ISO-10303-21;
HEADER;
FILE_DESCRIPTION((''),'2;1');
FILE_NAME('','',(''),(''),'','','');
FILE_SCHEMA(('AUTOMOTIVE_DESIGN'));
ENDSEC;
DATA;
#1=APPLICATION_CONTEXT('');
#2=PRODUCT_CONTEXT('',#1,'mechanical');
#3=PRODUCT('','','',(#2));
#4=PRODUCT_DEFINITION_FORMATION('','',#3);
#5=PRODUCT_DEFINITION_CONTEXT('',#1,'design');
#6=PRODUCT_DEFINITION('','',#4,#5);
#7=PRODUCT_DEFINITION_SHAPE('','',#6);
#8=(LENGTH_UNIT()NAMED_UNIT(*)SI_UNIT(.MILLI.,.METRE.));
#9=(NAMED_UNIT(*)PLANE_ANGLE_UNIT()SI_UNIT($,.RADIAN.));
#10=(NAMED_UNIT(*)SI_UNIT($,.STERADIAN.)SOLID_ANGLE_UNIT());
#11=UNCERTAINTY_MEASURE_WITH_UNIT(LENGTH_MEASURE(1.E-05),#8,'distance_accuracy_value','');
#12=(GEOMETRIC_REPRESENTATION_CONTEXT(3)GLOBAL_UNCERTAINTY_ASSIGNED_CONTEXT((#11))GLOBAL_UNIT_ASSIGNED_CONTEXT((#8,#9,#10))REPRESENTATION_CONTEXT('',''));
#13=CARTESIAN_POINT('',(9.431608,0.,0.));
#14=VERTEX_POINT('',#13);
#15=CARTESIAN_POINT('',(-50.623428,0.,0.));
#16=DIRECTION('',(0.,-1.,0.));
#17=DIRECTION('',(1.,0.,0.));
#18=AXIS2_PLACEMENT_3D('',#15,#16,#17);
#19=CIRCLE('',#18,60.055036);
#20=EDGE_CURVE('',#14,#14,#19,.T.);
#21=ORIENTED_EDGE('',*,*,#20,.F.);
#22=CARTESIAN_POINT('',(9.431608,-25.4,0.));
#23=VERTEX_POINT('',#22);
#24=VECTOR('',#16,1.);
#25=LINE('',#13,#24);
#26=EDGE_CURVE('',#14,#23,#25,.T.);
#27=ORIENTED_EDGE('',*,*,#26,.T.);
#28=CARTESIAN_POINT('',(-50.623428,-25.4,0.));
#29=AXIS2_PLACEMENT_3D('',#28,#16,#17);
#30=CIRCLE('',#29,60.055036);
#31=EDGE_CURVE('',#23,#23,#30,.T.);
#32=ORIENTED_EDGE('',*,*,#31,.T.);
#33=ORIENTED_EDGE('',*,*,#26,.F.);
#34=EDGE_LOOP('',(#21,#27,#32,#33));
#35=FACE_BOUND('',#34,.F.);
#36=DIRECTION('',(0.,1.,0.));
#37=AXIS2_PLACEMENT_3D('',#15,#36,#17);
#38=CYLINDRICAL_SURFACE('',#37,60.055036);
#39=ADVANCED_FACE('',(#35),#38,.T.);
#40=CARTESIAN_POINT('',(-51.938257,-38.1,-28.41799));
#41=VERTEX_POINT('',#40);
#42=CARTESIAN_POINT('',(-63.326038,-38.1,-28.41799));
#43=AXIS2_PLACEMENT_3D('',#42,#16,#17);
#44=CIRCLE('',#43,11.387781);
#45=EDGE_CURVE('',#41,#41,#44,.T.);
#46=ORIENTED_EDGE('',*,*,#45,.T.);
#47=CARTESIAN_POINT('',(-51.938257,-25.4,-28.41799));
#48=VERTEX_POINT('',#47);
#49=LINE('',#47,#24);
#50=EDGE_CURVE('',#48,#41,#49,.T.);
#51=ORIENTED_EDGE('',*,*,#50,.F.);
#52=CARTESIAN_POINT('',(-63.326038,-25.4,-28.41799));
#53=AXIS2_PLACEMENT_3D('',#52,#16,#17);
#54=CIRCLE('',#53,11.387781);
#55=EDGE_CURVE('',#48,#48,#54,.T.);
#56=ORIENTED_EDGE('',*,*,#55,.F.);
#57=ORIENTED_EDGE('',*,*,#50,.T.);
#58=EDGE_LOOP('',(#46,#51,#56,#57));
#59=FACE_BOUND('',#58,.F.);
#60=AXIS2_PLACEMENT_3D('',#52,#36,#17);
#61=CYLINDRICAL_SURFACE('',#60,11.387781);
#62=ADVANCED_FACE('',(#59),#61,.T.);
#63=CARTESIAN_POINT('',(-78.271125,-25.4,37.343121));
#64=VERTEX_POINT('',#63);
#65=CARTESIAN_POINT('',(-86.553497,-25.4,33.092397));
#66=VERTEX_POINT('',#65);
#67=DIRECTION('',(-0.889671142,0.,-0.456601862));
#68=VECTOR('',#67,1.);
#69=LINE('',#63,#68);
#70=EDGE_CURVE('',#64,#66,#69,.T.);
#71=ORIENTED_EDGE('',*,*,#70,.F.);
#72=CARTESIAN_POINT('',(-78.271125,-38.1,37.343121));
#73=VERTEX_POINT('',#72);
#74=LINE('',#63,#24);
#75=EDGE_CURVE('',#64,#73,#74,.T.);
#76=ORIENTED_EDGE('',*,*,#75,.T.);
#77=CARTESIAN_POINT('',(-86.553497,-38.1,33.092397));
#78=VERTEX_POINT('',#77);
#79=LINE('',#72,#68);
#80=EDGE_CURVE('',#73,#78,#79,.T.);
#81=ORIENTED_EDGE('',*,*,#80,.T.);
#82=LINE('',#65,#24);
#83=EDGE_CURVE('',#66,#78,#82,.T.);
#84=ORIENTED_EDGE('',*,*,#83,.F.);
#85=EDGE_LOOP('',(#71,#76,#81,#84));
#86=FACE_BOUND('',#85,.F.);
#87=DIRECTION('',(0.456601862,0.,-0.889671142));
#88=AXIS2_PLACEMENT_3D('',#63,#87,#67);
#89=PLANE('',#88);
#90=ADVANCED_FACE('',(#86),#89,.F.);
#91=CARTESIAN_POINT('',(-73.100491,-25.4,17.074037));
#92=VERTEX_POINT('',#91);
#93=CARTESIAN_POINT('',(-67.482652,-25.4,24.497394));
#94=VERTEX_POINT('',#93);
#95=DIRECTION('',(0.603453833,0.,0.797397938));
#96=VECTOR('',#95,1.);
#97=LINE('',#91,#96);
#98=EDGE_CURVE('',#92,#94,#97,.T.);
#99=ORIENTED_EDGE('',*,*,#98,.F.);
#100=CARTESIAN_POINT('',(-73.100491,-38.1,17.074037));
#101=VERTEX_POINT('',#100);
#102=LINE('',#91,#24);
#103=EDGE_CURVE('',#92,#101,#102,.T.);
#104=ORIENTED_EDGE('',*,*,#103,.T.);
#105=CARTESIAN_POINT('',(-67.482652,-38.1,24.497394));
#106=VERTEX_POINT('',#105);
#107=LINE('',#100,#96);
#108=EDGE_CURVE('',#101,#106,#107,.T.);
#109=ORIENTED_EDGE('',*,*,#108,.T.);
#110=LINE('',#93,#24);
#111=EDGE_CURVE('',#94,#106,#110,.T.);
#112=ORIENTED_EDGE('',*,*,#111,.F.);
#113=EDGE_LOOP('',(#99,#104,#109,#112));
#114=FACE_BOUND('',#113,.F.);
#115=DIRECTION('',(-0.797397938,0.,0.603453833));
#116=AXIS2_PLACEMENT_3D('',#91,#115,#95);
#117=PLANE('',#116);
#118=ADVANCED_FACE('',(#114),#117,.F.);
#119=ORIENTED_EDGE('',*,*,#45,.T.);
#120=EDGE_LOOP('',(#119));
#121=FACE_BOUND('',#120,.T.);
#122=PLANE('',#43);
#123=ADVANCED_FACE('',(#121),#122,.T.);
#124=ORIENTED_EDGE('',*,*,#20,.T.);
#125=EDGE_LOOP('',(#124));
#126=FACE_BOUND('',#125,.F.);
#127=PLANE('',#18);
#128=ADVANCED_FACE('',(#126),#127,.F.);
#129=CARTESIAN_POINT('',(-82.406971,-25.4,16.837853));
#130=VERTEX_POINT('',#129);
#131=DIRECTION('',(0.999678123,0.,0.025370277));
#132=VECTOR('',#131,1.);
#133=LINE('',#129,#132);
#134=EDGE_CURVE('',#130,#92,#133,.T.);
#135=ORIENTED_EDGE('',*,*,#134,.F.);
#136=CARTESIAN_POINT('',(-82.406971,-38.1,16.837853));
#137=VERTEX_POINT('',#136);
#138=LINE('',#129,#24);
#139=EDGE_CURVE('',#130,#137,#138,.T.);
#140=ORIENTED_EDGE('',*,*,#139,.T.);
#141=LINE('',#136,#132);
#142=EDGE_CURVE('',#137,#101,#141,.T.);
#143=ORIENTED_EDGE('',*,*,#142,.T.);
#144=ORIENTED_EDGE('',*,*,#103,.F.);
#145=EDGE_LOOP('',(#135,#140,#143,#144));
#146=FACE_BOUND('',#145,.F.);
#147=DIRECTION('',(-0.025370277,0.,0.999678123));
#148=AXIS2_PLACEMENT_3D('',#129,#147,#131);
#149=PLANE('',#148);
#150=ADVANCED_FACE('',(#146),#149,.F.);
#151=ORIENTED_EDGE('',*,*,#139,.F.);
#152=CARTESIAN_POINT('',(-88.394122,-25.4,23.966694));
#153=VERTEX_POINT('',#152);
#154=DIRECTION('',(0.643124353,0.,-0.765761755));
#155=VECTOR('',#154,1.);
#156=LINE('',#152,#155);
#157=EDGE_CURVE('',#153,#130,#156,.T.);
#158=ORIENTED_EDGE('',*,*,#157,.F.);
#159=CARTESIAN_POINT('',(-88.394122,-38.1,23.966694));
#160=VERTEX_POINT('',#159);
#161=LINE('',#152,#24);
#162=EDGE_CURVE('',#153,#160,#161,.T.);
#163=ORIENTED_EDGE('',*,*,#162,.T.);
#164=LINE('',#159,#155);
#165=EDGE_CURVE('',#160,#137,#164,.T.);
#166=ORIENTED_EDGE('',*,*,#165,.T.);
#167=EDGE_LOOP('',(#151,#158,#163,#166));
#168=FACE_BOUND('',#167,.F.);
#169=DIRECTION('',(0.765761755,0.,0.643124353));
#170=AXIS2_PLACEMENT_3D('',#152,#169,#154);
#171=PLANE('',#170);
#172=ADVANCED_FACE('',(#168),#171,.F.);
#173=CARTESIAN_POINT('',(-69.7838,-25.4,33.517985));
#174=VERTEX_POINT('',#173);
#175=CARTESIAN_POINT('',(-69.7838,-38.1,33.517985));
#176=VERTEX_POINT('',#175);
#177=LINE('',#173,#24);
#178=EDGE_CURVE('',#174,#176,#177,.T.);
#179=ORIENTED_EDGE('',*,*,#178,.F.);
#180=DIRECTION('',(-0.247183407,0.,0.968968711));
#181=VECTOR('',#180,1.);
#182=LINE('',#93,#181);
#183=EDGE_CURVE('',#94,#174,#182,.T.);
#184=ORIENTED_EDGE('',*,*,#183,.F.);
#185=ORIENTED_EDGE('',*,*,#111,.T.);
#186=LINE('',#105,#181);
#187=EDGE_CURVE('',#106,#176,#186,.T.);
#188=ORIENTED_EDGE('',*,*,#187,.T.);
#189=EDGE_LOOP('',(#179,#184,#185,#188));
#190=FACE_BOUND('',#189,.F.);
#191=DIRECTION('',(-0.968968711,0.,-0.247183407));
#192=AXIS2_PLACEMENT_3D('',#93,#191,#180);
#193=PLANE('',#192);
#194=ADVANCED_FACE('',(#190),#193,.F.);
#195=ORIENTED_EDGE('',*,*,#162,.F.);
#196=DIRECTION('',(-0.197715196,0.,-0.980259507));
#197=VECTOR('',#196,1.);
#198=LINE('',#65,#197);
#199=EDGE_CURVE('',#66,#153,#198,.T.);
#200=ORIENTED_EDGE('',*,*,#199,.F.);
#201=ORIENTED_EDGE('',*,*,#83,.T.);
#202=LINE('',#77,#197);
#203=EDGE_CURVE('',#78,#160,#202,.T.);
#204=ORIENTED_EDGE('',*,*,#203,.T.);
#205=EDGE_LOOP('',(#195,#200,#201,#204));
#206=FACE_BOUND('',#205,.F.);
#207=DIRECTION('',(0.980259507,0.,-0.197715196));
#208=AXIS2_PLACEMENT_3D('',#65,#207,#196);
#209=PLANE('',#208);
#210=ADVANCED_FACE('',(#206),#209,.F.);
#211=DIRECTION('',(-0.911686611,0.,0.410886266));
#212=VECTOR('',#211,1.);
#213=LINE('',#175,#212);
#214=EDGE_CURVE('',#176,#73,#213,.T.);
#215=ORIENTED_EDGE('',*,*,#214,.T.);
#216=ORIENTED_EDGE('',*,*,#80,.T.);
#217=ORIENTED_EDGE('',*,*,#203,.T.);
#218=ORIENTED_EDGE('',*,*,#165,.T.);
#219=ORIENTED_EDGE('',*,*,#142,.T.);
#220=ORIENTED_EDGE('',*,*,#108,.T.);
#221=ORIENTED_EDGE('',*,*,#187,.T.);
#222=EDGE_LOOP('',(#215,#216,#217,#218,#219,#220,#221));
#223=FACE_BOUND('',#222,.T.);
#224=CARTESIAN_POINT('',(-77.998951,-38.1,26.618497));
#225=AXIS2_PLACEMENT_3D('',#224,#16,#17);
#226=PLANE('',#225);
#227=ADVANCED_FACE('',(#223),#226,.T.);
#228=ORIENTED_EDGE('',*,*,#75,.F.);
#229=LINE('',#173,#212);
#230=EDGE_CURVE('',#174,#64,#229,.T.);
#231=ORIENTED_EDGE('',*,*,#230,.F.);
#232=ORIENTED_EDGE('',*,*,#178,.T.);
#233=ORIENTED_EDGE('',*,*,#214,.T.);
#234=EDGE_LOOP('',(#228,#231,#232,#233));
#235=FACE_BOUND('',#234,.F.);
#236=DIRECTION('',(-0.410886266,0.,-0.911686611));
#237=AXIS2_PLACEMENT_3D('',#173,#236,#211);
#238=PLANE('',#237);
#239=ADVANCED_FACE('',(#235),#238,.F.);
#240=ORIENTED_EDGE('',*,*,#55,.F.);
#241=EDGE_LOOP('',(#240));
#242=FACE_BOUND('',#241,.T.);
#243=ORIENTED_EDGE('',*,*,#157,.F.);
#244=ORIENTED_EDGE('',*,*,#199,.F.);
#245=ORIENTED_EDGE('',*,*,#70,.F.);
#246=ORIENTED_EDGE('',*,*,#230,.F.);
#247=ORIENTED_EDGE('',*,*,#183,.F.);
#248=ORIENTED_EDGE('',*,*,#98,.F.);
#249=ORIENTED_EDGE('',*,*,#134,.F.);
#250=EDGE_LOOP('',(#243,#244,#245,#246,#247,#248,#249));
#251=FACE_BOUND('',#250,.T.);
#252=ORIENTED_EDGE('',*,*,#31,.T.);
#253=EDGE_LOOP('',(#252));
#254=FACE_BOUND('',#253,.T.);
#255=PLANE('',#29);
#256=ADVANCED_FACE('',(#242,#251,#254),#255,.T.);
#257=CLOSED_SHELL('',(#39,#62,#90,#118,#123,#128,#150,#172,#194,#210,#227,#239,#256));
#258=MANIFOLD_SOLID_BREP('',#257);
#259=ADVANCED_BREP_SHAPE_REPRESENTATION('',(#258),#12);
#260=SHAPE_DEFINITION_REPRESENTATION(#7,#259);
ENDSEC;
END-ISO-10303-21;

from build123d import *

# Parameters (mm, degrees)
F0_R     = 60.055036
F1_DEPTH = 25.4
F3_DEPTH = 12.7
F4_R     = 11.387781
F5_DEPTH = 12.7


with BuildPart() as f1:
    # F0 (on Front) → F1 (new body)
    with BuildSketch(Plane.XZ):
        with Locations((-50.623428, 0)):
            Circle(F0_R)
    extrude(amount=F1_DEPTH)

    # F2 (on face) → F3 (join)
    with BuildSketch(Plane.XZ.offset(25.4)):
        Polygon((-73.100491, 17.074037), (-67.482652, 24.497394), (-69.7838, 33.517985), (-78.271125, 37.343121), (-86.553497, 33.092397), (-88.394122, 23.966694), (-82.406971, 16.837853), align=None)
    extrude(amount=F3_DEPTH)

    # F4 (on face) → F5 (join)
    with BuildSketch(Plane.XZ.offset(25.4)):
        with Locations((-63.326038, -28.41799)):
            Circle(F4_R)
    extrude(amount=F5_DEPTH)


solid = f1.part
